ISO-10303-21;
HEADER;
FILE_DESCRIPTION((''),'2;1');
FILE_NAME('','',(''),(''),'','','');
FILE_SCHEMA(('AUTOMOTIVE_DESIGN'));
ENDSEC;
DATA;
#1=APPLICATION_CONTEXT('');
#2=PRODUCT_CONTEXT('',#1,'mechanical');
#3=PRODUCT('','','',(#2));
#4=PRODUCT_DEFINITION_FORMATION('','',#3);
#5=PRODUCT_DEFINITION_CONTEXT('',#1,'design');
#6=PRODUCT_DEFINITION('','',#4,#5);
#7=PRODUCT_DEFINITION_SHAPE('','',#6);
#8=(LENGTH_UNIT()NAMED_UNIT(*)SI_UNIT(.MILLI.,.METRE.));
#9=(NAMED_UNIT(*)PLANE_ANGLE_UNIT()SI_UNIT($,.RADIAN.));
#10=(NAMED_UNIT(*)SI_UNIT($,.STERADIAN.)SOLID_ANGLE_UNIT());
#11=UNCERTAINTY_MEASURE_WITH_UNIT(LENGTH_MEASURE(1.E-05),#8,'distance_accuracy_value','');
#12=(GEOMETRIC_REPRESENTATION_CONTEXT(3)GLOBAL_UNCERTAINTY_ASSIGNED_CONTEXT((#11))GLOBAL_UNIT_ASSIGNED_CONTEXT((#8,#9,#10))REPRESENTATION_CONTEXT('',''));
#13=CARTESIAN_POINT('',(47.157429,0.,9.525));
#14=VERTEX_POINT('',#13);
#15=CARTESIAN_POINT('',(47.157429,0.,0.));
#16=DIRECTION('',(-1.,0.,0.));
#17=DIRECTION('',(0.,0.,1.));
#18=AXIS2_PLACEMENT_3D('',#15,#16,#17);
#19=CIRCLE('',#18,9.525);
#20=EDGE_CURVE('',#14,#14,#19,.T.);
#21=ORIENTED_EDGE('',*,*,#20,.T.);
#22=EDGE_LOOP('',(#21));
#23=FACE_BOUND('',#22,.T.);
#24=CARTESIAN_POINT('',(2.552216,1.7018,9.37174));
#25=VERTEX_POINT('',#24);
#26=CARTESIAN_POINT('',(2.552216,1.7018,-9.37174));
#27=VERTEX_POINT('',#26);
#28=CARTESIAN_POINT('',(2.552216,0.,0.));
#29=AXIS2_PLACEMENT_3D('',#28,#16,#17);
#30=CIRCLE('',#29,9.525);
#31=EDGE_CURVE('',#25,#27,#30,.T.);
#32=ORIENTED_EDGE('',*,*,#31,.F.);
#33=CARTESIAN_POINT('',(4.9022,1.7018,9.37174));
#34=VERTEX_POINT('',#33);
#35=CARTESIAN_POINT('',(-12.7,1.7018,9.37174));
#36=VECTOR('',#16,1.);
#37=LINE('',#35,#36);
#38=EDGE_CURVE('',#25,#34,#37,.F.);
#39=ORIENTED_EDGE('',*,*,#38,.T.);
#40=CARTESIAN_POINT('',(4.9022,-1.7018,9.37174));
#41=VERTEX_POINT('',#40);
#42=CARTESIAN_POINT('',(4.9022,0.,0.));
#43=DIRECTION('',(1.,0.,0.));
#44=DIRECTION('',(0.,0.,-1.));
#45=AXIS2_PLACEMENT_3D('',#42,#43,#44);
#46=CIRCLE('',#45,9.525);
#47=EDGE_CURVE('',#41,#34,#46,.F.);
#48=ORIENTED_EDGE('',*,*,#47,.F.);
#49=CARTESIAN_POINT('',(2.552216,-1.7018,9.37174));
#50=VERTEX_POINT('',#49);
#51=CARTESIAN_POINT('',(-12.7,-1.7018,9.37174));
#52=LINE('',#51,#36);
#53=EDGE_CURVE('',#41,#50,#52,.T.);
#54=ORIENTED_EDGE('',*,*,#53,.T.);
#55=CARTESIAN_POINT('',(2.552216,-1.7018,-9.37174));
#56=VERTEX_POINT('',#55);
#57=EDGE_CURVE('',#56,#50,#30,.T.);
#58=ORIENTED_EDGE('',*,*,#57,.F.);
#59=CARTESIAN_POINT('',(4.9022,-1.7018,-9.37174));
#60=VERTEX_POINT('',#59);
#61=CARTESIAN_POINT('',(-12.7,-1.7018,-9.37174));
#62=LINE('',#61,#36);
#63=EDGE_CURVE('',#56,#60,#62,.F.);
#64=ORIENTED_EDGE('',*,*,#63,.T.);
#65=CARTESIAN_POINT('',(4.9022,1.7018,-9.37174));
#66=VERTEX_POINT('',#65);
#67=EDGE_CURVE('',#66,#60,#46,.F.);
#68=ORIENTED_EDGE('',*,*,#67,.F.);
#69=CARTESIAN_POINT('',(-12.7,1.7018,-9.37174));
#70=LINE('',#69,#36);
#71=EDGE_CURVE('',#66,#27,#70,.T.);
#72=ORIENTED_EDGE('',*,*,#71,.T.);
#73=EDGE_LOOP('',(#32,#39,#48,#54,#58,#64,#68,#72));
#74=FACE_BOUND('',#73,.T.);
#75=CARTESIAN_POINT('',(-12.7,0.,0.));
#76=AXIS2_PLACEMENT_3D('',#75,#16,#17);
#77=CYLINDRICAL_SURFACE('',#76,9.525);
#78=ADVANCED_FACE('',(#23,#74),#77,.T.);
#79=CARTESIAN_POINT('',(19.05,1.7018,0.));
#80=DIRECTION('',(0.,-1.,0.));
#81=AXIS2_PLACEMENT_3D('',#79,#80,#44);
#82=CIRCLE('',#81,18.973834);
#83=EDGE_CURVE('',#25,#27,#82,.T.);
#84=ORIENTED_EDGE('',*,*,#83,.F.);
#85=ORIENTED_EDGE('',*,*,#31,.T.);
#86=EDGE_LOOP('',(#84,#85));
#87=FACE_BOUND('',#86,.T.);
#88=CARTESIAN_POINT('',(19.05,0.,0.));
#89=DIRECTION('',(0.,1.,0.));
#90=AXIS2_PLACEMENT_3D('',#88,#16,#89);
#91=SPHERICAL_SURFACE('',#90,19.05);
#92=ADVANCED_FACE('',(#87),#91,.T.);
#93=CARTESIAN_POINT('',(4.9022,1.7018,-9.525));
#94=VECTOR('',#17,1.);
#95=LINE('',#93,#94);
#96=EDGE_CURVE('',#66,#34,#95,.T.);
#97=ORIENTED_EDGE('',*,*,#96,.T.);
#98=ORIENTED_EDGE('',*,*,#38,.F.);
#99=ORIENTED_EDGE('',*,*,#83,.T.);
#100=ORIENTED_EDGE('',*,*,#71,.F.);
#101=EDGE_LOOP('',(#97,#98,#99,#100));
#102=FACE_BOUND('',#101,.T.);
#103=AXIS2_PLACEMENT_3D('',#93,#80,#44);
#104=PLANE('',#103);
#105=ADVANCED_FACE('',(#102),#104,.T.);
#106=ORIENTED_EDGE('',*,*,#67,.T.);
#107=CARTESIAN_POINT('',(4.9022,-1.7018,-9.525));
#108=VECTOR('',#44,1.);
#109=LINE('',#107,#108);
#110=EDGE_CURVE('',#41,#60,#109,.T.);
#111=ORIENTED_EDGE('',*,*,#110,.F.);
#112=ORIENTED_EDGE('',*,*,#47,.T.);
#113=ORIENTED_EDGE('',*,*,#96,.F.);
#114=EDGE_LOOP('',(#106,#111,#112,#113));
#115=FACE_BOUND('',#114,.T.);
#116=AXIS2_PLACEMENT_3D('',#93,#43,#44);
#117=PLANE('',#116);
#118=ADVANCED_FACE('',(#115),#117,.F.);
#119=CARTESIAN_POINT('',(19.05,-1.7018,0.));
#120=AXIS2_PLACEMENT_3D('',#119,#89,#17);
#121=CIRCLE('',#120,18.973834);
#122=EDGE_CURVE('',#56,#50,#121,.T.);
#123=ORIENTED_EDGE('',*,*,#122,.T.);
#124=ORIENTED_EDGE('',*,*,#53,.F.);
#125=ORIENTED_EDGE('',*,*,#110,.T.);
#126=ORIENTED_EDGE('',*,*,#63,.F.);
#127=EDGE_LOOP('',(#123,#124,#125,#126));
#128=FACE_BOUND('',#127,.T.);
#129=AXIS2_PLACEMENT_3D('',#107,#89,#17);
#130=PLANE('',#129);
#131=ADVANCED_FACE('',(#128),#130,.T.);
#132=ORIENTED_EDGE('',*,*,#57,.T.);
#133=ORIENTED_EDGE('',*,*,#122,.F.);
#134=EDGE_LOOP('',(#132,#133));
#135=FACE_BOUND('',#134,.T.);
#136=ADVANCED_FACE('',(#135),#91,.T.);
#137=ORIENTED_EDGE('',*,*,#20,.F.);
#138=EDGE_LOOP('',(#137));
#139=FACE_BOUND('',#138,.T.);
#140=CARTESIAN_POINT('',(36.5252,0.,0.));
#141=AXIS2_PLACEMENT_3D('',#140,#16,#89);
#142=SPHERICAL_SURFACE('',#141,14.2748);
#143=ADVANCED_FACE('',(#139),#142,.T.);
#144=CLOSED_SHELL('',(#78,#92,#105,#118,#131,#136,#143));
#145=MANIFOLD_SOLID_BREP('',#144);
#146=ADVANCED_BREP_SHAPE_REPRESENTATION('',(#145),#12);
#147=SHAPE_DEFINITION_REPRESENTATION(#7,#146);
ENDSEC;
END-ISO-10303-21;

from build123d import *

# Parameters (mm, degrees)
SKETCH2_W  = 19.05
SKETCH2_H  = 3.4036
SLOT_DEPTH = 4.9022


with BuildPart() as part:
    # BodySke → BaseBody (revolve)
    with BuildSketch(Plane.XY):
        with BuildLine():
            Line((2.552216058, 9.525), (47.157428837, 9.525))
            ThreePointArc((47.157428837, 9.525), (49.8582952, 5.098871191), (50.8, 0))
            Line((50.8, 0), (0, 0))
            ThreePointArc((0, 0), (0.649113009, 4.930502809), (2.552216058, 9.525))
        make_face()
    revolve(axis=Axis((-12.7, 0, 0), (1, 0, 0)))

    # Sketch2 → Slot (cut)
    with BuildSketch(Plane(origin=(0, 0, 0), x_dir=(0, 0, -1), z_dir=(1, 0, 0))):
        Rectangle(SKETCH2_W, SKETCH2_H)
    extrude(amount=SLOT_DEPTH, mode=Mode.SUBTRACT)


solid = part.part
